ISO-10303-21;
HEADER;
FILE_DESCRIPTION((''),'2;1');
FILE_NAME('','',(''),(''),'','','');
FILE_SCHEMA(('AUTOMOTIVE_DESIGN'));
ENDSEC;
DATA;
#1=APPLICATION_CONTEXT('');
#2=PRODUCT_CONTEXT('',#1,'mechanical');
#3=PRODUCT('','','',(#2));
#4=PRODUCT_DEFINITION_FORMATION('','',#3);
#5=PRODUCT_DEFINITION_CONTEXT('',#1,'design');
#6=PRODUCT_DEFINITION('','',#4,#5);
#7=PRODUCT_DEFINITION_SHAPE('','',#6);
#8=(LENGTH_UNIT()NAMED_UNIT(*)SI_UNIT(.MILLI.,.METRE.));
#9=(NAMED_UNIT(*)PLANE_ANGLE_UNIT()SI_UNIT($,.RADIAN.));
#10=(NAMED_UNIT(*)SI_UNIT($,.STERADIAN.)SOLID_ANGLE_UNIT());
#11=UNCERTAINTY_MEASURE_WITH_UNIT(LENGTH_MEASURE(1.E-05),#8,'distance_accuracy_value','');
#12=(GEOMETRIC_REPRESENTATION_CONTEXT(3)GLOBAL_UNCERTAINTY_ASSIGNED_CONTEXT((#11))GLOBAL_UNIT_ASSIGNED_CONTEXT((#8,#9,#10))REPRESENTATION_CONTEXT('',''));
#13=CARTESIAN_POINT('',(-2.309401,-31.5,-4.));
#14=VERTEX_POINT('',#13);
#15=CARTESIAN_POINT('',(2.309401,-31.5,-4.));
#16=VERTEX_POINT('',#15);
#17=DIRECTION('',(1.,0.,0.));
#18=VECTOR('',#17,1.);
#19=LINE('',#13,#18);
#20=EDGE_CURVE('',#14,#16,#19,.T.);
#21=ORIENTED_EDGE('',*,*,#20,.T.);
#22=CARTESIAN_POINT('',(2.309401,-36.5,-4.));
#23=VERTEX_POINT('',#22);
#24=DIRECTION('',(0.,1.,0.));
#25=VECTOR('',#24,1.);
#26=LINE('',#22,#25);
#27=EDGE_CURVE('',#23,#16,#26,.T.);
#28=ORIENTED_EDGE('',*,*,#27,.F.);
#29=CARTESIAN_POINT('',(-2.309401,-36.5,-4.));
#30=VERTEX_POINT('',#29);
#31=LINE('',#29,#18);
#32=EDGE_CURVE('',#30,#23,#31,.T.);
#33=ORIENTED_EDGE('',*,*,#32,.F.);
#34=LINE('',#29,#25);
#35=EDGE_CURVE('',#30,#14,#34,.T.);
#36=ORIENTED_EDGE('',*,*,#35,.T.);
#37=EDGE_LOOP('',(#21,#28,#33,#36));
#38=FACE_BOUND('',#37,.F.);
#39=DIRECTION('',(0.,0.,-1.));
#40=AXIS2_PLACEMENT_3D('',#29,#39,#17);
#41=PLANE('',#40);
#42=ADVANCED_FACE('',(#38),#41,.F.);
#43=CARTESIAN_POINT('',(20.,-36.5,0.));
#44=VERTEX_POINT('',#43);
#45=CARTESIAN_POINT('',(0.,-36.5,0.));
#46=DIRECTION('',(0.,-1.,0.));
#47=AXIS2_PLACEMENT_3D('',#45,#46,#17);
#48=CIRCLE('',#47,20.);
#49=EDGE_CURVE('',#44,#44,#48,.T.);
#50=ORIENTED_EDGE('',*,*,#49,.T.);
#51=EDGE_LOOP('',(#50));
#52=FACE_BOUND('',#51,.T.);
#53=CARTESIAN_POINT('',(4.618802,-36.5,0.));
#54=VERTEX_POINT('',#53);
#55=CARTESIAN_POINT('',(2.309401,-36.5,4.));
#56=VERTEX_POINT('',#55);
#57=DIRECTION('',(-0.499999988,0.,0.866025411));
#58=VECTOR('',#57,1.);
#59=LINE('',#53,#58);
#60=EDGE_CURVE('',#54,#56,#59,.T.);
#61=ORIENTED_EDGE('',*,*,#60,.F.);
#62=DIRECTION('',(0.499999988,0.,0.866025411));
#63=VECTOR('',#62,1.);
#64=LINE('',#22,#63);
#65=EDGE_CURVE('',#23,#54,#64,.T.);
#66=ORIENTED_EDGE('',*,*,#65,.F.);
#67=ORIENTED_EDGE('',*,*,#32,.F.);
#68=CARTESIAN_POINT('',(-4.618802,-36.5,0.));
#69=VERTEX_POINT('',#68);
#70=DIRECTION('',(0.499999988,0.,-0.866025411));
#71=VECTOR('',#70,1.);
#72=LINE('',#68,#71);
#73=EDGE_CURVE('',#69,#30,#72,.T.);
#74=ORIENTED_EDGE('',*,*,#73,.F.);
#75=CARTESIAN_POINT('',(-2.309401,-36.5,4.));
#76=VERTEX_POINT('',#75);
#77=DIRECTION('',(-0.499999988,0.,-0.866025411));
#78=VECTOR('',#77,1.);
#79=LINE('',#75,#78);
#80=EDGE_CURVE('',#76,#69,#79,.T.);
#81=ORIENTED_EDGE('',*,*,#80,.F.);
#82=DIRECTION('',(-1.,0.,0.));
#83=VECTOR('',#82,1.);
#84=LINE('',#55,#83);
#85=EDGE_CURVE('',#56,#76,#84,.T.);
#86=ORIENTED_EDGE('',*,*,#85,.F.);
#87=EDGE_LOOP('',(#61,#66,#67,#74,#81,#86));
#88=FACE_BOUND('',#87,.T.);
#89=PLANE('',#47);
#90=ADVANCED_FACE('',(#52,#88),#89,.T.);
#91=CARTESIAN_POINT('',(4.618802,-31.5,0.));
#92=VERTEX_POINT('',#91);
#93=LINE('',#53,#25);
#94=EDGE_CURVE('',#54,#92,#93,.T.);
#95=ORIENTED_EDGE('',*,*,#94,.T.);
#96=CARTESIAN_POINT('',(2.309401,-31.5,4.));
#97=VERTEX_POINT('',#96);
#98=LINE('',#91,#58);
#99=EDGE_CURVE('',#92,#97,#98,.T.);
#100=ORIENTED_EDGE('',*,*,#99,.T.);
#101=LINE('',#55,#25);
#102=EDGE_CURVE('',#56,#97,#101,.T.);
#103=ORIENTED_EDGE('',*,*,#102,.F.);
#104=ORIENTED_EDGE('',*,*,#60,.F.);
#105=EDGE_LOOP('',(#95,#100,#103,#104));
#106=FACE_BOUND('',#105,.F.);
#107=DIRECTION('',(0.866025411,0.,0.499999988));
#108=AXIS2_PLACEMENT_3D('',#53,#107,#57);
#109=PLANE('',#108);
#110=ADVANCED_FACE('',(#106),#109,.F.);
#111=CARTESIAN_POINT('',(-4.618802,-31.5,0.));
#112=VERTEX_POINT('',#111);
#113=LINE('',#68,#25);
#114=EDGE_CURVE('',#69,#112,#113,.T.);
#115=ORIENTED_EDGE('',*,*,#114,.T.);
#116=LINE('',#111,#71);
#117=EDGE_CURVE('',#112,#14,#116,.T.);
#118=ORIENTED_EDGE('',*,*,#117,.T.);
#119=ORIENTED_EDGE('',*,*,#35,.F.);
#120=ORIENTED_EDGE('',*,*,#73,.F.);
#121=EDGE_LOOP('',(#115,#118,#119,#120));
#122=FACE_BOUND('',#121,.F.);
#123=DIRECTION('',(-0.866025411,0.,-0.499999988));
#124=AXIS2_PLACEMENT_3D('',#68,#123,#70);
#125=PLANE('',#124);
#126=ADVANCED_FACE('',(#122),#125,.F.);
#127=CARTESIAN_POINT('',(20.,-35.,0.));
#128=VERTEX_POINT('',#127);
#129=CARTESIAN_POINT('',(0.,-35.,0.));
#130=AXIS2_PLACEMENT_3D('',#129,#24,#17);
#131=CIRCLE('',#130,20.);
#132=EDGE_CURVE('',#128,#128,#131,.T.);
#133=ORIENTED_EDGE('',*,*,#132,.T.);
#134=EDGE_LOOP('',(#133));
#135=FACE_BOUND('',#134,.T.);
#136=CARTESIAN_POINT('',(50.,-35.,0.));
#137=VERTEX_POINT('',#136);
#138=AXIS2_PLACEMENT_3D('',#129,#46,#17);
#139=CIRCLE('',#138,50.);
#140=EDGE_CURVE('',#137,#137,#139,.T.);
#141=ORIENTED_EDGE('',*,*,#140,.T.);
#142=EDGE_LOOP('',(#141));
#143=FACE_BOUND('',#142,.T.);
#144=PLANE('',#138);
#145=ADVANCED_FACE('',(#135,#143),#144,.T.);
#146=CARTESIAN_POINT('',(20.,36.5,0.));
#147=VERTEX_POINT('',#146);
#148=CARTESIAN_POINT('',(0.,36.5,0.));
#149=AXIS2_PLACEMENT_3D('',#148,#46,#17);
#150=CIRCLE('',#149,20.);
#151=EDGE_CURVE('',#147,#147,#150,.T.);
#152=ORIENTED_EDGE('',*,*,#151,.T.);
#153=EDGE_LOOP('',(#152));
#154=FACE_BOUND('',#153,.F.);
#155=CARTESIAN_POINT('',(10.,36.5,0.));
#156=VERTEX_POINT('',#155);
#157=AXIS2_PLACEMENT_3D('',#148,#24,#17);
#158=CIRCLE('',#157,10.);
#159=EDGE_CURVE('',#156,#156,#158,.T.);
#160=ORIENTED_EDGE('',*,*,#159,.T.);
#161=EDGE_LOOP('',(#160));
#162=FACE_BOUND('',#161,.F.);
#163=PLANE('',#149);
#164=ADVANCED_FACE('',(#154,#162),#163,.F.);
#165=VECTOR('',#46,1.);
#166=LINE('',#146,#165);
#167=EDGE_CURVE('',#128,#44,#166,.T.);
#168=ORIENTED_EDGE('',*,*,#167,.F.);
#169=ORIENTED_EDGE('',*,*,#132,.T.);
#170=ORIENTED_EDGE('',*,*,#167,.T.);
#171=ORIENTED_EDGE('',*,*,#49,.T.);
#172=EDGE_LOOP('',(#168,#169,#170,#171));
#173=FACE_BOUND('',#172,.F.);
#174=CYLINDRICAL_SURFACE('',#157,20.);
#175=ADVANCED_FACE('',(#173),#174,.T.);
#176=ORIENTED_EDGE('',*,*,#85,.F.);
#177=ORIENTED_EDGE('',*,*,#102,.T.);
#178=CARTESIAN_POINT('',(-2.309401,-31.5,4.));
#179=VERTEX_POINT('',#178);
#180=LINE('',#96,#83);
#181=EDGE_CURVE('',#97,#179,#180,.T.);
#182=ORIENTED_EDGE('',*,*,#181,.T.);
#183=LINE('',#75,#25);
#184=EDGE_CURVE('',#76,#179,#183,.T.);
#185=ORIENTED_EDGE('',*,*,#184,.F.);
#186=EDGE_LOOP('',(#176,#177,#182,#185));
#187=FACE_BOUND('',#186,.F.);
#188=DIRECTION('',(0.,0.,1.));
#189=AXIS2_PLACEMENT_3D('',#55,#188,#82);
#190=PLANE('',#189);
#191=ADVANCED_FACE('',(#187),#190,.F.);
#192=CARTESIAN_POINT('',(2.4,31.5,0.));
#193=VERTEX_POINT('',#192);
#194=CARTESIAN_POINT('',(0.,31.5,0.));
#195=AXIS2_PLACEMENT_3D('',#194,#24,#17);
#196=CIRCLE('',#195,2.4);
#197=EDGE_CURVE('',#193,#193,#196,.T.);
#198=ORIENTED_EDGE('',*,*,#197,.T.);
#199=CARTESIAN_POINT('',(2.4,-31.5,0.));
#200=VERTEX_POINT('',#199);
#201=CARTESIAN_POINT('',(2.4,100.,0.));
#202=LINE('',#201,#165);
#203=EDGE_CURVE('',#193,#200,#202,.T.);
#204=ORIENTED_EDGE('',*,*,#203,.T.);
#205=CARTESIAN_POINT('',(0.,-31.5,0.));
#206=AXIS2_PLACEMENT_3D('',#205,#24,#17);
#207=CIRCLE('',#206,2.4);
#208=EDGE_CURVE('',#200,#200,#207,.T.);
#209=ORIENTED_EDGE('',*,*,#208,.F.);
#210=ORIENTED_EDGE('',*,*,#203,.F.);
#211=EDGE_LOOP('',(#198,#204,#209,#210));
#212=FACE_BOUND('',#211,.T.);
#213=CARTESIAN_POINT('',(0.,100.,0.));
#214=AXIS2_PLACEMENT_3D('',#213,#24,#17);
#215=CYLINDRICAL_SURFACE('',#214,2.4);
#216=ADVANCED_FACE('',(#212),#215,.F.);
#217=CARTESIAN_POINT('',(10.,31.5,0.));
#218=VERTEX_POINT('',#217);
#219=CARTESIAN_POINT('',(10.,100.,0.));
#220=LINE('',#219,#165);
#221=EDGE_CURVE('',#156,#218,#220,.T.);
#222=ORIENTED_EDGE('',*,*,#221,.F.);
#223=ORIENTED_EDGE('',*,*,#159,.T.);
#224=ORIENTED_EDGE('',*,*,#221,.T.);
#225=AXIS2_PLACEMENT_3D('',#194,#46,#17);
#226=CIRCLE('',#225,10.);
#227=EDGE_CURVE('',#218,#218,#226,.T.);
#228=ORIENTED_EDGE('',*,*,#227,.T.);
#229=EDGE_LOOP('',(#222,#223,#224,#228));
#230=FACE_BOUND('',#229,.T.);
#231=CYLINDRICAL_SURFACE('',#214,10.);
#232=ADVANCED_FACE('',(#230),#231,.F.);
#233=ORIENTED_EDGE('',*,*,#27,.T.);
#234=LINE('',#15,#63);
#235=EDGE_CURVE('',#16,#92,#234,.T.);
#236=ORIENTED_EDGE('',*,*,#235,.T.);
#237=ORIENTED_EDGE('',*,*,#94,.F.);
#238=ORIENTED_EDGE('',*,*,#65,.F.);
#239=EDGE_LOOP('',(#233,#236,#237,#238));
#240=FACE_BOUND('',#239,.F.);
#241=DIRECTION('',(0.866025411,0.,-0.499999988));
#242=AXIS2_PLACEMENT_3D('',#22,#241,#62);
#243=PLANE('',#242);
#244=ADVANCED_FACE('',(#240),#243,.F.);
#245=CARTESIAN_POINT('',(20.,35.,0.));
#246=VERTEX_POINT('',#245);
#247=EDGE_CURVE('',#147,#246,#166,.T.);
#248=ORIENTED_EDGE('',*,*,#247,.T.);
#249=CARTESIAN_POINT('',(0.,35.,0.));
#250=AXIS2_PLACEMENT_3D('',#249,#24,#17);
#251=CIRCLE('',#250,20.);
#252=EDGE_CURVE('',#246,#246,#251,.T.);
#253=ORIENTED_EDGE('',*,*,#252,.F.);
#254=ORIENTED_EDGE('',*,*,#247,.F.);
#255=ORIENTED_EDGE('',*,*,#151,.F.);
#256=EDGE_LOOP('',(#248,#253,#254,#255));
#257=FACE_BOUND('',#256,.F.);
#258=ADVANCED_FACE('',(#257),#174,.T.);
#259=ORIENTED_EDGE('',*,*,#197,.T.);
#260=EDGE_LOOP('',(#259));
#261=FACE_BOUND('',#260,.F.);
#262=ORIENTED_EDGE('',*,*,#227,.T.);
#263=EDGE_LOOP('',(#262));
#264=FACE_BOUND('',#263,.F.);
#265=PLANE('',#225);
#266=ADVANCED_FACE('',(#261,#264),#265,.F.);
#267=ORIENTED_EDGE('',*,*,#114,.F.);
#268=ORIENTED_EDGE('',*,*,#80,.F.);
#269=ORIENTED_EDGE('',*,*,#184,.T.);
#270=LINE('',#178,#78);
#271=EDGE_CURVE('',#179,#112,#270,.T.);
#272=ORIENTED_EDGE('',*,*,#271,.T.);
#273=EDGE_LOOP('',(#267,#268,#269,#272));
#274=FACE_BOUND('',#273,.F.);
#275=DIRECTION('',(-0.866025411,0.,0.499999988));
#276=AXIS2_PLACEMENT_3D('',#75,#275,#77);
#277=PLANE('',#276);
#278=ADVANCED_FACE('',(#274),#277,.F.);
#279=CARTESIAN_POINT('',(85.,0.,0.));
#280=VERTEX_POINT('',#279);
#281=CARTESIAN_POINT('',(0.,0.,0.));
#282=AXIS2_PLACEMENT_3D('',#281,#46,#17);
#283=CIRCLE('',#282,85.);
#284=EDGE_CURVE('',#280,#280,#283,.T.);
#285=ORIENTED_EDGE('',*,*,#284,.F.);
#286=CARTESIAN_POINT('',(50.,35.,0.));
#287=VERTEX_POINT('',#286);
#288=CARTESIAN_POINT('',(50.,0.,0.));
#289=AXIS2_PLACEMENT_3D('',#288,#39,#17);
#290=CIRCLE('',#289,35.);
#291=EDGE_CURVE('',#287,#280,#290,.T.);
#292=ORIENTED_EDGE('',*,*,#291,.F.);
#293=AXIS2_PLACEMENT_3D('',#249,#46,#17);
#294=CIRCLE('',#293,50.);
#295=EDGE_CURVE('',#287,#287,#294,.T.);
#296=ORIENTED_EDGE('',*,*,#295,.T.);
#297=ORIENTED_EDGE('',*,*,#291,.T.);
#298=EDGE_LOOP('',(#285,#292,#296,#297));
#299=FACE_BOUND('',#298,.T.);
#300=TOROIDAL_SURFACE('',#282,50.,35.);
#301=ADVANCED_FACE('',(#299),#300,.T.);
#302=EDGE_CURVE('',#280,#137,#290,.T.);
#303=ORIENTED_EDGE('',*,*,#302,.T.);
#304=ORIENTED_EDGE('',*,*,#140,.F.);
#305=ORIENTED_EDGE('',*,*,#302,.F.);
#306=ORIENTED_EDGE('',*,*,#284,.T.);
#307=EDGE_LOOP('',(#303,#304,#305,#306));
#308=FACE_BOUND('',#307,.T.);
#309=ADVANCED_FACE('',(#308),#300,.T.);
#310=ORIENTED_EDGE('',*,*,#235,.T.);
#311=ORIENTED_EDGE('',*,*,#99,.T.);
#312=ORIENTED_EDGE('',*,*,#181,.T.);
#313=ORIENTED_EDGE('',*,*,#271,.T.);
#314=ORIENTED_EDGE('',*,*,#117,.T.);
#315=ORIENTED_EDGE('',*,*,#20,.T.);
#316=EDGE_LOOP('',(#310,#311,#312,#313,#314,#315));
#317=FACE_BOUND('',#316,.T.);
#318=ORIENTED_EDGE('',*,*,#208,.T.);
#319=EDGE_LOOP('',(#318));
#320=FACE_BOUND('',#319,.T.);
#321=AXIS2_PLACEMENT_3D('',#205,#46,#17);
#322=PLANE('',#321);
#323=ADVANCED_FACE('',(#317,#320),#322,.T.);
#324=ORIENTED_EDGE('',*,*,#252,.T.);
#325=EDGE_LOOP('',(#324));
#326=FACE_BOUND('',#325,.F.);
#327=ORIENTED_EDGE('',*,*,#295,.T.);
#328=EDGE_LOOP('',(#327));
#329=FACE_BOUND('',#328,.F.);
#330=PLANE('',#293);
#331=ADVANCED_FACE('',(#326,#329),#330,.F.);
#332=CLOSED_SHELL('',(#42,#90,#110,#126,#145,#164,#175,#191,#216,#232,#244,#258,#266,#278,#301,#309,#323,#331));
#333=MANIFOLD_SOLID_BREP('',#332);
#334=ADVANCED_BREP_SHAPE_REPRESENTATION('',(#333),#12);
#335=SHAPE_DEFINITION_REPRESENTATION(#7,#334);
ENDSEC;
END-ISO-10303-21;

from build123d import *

# Parameters (mm, degrees)
PAD014_DEPTH           = 5
CYLINDER018_R          = 10
CYLINDER018_DEPTH      = 68.5
CYLINDER018_ROLL_ANGLE = 90
CYLINDER001_R          = 2.4
CYLINDER001_DEPTH      = 200
CYLINDER001_ROLL_ANGLE = 90
CYLINDER017_R          = 20
CYLINDER017_DEPTH      = 73
CYLINDER017_ROLL_ANGLE = 90
CYLINDER_R             = 50
CYLINDER_DEPTH         = 70
CYLINDER_ROLL_ANGLE    = 90
TORUS_R                = 35
TORUS_ROLL_ANGLE       = 90


with BuildPart() as pad014:
    # Sketch011 → Pad014 (new body)
    with BuildSketch(Plane.XZ.offset(36.5)):
        Polygon((4.618802, 0), (2.309401, 4), (-2.309401, 4), (-4.618802, 0), (-2.309401, -4), (2.309401, -4), align=None)
    extrude(amount=-PAD014_DEPTH)


with BuildPart() as cilindro018:
    # Cylinder018 → Cylinder018 (new body)
    with BuildSketch(Plane.XY):
        Circle(CYLINDER018_R)
    extrude(amount=CYLINDER018_DEPTH)


with BuildPart() as cilindro018_1:
    # Cylinder018 roll: moved
    add(cilindro018.part.rotate(Axis((0, 0, 0), (1, 0, 0)), CYLINDER018_ROLL_ANGLE))


with BuildPart() as cilindro018_2:
    # Cylinder018 placement: moved
    add(cilindro018_1.part.moved(Location((0, 100, 0))))


with BuildPart() as cilindro001:
    # Cylinder001 → Cylinder001 (new body)
    with BuildSketch(Plane.XY):
        Circle(CYLINDER001_R)
    extrude(amount=CYLINDER001_DEPTH)


with BuildPart() as cilindro001_1:
    # Cylinder001 roll: moved
    add(cilindro001.part.rotate(Axis((0, 0, 0), (1, 0, 0)), CYLINDER001_ROLL_ANGLE))


with BuildPart() as cilindro001_2:
    # Cylinder001 placement: moved
    add(cilindro001_1.part.moved(Location((0, 100, 0))))


with BuildPart() as cilindro017:
    # Cylinder017 → Cylinder017 (new body)
    with BuildSketch(Plane.XY):
        Circle(CYLINDER017_R)
    extrude(amount=CYLINDER017_DEPTH)


with BuildPart() as cilindro017_1:
    # Cylinder017 roll: moved
    add(cilindro017.part.rotate(Axis((0, 0, 0), (1, 0, 0)), CYLINDER017_ROLL_ANGLE))


with BuildPart() as cilindro017_2:
    # Cylinder017 placement: moved
    add(cilindro017_1.part.moved(Location((0, 36.5, 0))))


with BuildPart() as cilindro:
    # Cylinder → Cylinder (new body)
    with BuildSketch(Plane.XY):
        Circle(CYLINDER_R)
    extrude(amount=CYLINDER_DEPTH)


with BuildPart() as cilindro_1:
    # Cylinder roll: moved
    add(cilindro.part.rotate(Axis((0, 0, 0), (1, 0, 0)), CYLINDER_ROLL_ANGLE))


with BuildPart() as cilindro_2:
    # Cylinder placement: moved
    add(cilindro_1.part.moved(Location((0, 35, 0))))


with BuildPart() as cut017:
    # Torus → Torus (revolve)
    with BuildSketch(Plane.XZ):
        with Locations((50, 0)):
            Circle(TORUS_R)
    revolve(axis=Axis((0, 0, 0), (0, 0, 1)))


with BuildPart() as cut017_1:
    # Torus roll: moved
    add(cut017.part.rotate(Axis((0, 0, 0), (1, 0, 0)), TORUS_ROLL_ANGLE))


with BuildPart() as cut017_2:
    # Torus placement: moved
    add(cut017_1.part)

    # Fusion: union Cilindro
    add(cilindro_2.part)

    # Fusion016: union Cilindro017
    add(cilindro017_2.part)

    # Cut011: cut Cilindro001
    add(cilindro001_2.part, mode=Mode.SUBTRACT)

    # Cut012: cut Cilindro018
    add(cilindro018_2.part, mode=Mode.SUBTRACT)

    # Cut017: cut Pad014
    add(pad014.part, mode=Mode.SUBTRACT)


solid = cut017_2.part
